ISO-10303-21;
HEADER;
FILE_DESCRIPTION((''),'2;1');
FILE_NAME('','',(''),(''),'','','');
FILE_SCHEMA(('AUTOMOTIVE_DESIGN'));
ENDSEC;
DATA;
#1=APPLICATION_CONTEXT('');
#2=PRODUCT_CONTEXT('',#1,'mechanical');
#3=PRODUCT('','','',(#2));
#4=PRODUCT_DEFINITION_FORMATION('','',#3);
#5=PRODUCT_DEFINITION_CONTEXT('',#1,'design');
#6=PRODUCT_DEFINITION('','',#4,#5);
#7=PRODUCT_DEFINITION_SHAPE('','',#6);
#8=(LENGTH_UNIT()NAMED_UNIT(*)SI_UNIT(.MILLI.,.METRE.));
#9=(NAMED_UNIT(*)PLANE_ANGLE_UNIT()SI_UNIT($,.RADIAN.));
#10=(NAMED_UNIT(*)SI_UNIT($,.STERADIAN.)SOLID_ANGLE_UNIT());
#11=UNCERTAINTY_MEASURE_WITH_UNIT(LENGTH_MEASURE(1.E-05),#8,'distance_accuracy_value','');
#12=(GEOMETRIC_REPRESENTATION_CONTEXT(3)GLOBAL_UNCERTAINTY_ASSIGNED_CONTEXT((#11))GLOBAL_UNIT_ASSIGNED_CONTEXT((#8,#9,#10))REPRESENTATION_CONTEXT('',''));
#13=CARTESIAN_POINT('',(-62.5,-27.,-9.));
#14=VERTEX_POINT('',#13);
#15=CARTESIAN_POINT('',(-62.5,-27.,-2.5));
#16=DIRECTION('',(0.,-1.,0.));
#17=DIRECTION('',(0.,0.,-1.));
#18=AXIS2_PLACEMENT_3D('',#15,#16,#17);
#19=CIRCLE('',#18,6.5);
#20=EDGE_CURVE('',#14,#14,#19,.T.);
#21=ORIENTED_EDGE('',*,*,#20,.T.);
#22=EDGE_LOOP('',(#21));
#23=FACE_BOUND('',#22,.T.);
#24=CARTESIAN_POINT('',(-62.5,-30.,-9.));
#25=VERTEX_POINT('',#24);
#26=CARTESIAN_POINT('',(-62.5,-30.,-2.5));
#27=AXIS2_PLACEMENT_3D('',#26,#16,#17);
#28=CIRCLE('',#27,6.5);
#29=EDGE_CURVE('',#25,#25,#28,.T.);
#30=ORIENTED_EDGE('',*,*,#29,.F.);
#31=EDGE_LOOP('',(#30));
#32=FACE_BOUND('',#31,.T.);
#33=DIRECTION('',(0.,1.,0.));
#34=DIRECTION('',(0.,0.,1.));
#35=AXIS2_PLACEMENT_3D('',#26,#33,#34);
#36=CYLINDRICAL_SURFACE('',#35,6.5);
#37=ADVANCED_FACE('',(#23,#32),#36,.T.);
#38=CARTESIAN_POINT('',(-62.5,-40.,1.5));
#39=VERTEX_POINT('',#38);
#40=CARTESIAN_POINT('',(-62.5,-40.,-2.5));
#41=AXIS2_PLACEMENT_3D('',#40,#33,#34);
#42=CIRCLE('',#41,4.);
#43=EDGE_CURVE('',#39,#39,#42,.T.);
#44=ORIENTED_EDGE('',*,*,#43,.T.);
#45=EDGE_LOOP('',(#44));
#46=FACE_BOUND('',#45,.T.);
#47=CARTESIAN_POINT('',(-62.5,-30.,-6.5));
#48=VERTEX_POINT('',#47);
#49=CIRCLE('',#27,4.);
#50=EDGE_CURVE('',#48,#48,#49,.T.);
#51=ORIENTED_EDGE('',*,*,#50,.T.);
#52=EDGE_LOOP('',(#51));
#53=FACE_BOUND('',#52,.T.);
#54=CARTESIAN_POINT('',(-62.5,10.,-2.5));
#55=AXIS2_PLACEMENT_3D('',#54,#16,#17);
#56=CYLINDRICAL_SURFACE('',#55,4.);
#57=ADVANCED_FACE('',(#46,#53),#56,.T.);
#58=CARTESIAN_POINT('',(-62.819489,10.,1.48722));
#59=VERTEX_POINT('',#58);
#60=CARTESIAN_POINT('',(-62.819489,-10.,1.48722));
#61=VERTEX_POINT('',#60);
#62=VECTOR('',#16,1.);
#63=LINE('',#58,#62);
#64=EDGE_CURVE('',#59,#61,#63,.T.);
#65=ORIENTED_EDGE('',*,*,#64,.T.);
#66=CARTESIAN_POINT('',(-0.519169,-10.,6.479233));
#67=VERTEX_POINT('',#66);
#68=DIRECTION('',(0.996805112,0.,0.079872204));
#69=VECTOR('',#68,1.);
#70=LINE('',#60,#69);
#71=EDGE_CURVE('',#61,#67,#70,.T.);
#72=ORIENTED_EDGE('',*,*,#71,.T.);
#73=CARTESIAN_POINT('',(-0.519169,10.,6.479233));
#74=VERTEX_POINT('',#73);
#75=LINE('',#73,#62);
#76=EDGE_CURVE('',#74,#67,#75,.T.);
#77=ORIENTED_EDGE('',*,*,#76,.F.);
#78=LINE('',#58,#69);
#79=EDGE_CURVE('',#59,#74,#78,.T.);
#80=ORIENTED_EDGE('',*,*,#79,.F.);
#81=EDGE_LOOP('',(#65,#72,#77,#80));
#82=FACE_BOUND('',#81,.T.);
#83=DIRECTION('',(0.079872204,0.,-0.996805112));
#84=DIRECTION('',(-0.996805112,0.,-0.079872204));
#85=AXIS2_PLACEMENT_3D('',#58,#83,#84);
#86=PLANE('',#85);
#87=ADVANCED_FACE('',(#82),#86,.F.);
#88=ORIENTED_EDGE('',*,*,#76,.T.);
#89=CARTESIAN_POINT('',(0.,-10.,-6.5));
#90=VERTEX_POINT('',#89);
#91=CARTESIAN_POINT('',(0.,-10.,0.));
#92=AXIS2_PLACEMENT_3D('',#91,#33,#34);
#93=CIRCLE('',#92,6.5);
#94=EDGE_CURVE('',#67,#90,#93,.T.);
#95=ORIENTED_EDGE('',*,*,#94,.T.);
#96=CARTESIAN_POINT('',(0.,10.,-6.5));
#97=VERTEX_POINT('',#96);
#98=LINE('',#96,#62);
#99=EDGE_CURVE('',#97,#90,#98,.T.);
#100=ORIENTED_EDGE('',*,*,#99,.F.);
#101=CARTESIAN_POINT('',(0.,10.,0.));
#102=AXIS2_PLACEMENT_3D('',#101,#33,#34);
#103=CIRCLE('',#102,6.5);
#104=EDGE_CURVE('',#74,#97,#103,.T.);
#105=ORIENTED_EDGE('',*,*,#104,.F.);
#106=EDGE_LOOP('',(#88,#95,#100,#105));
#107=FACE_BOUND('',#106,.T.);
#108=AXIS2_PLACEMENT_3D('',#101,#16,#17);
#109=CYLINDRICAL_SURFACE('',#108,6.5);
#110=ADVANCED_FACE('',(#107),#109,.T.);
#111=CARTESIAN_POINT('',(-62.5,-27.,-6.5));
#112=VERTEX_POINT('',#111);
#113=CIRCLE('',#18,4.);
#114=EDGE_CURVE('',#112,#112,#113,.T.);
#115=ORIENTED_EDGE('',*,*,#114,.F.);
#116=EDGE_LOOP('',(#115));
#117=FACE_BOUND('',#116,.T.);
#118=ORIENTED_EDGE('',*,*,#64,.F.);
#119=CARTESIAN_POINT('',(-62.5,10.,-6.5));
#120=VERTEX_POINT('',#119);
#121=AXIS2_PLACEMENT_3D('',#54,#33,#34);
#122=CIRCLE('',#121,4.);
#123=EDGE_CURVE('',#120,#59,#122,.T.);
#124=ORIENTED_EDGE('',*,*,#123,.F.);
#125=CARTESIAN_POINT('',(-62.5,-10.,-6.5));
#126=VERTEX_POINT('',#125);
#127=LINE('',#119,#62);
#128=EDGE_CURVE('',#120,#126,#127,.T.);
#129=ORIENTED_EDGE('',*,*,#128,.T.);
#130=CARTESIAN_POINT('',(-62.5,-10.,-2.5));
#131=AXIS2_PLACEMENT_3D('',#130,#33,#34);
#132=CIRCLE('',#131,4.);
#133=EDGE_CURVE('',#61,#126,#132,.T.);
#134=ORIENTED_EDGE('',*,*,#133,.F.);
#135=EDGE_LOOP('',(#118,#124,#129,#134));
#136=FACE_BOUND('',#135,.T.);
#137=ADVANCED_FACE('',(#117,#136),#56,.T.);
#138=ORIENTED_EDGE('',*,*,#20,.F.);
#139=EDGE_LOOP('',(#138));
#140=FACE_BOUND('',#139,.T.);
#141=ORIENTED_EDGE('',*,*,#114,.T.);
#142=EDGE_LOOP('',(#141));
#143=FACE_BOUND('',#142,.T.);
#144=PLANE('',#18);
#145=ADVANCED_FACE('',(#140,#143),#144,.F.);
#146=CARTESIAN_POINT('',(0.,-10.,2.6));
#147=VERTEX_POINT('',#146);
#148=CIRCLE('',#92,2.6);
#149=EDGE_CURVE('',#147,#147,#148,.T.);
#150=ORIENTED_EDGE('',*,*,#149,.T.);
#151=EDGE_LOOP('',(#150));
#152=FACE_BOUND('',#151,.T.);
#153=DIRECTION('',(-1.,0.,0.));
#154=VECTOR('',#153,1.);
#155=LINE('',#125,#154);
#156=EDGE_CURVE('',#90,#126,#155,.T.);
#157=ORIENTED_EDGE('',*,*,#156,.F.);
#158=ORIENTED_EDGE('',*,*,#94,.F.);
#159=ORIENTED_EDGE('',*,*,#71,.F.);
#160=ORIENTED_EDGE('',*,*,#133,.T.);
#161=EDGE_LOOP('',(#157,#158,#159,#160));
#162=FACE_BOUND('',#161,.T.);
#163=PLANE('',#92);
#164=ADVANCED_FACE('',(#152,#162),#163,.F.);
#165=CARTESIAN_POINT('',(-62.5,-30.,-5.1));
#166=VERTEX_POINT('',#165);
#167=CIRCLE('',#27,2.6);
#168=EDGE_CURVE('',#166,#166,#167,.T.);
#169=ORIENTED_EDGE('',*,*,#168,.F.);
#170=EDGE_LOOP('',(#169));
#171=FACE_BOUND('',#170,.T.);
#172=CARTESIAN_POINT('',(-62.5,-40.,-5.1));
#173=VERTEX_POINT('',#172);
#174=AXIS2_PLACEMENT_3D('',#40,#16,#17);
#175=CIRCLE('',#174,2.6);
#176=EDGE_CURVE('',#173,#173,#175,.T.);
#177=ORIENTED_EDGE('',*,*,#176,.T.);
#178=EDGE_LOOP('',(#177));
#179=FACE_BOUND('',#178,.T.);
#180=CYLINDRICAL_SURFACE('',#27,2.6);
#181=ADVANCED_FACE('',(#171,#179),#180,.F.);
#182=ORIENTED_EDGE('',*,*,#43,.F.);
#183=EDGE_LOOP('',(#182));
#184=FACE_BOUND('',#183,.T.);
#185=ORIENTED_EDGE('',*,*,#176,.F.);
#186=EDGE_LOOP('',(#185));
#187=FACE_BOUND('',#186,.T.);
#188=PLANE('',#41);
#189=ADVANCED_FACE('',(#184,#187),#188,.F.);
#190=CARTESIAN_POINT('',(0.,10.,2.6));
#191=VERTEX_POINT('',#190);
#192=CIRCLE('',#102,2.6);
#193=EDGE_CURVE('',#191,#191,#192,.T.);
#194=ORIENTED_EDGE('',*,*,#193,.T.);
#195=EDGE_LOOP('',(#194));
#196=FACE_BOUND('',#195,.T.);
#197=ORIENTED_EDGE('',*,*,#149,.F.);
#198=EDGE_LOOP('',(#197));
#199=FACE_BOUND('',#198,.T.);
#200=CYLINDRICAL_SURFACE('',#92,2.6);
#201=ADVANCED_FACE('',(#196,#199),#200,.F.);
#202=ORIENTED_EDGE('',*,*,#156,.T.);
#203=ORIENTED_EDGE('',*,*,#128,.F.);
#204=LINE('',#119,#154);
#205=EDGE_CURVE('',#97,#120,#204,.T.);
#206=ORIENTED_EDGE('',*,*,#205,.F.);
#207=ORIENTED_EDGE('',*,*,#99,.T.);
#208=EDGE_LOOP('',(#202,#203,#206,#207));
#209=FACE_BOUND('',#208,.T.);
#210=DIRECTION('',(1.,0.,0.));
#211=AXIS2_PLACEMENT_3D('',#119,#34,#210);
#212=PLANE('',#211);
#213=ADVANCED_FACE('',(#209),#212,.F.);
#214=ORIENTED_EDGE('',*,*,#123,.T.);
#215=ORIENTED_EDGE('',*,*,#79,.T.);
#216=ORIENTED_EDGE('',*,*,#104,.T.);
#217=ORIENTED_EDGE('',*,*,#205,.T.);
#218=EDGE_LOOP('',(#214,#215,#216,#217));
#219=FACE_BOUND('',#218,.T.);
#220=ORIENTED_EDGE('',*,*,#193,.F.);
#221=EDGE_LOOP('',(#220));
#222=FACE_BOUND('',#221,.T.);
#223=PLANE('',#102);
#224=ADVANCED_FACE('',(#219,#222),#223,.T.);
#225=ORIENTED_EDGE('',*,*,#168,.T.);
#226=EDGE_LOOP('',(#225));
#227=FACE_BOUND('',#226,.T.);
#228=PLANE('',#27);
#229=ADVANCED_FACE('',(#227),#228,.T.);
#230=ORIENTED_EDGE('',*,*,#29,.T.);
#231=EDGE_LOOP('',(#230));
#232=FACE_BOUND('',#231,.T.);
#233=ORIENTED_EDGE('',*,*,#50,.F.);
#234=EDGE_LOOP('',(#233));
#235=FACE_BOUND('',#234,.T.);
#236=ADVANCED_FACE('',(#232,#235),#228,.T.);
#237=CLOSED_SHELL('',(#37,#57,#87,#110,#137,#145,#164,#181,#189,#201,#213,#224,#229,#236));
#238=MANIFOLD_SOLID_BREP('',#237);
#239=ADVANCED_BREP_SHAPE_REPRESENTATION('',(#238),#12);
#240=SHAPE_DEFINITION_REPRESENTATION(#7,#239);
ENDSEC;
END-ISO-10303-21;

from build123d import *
from build123d.topology import SkipClean

# Parameters (mm, degrees)
SALIENTE_EXTRUIR1_DEPTH = 10
CROQUIS2_R              = 2.6
CORTAR_EXTRUIR1_DEPTH   = 70.745967625
CROQUIS3_R              = 4
SALIENTE_EXTRUIR2_DEPTH = 30
CROQUIS4_R              = 2.6
CORTAR_EXTRUIR2_DEPTH   = 10
SALIENTE_EXTRUIR3_START = -13
CROQUIS5_R              = 6.5
CROQUIS5_R_2            = 4
SALIENTE_EXTRUIR3_DEPTH = 3


with BuildPart() as part:
    # Croquis1 → Saliente-Extruir1 (new, symmetric)
    with BuildSketch(Plane(origin=(0, 0, 0), x_dir=(1, 0, 0), z_dir=(0, 1, 0))):
        with BuildLine():
            Line((-62.5, 6.5), (0, 6.5))
            ThreePointArc((0, 6.5), (6.494806232, -0.259792249), (-0.519169329, -6.479233227))
            Line((-0.519169329, -6.479233227), (-62.819488818, -1.487220447))
            ThreePointArc((-62.819488818, -1.487220447), (-66.496803835, 2.659872153), (-62.5, 6.5))
        make_face()
    extrude(amount=SALIENTE_EXTRUIR1_DEPTH, both=True)

    # Croquis2 → Cortar-Extruir1 (cut, through all)
    with BuildSketch(Plane(origin=(0, 10, 0), x_dir=(1, 0, 0), z_dir=(0, 1, 0))):
        Circle(CROQUIS2_R)
    extrude(amount=-CORTAR_EXTRUIR1_DEPTH, mode=Mode.SUBTRACT)

    # Croquis3 → Saliente-Extruir2 (add)
    with SkipClean():  # the faces are left unmerged after this step: merging them gives an invalid solid
        with BuildSketch(Plane(origin=(0, -10, 0), x_dir=(1, 0, 0), z_dir=(0, 1, 0))):
            with Locations((-62.5, 2.5)):
                Circle(CROQUIS3_R)
        extrude(amount=-SALIENTE_EXTRUIR2_DEPTH)

    # Croquis4 → Cortar-Extruir2 (cut)
    with SkipClean():  # the faces are left unmerged after this step: merging them gives an invalid solid
        with BuildSketch(Plane(origin=(0, -40, 0), x_dir=(-1, 0, 0), z_dir=(0, -1, 0))):
            with Locations((62.5, 2.5)):
                Circle(CROQUIS4_R)
        extrude(amount=-CORTAR_EXTRUIR2_DEPTH, mode=Mode.SUBTRACT)

    # Croquis5 → Saliente-Extruir3 (add)
    with SkipClean():  # the faces are left unmerged after this step: merging them gives an invalid solid
        with BuildSketch(Plane.XZ.offset(40).offset(SALIENTE_EXTRUIR3_START)):
            with Locations((-62.5, -2.5)):
                Circle(CROQUIS5_R)
            with Locations((-62.5, -2.5)):
                Circle(CROQUIS5_R_2, mode=Mode.SUBTRACT)
        extrude(amount=SALIENTE_EXTRUIR3_DEPTH)


solid = part.part
